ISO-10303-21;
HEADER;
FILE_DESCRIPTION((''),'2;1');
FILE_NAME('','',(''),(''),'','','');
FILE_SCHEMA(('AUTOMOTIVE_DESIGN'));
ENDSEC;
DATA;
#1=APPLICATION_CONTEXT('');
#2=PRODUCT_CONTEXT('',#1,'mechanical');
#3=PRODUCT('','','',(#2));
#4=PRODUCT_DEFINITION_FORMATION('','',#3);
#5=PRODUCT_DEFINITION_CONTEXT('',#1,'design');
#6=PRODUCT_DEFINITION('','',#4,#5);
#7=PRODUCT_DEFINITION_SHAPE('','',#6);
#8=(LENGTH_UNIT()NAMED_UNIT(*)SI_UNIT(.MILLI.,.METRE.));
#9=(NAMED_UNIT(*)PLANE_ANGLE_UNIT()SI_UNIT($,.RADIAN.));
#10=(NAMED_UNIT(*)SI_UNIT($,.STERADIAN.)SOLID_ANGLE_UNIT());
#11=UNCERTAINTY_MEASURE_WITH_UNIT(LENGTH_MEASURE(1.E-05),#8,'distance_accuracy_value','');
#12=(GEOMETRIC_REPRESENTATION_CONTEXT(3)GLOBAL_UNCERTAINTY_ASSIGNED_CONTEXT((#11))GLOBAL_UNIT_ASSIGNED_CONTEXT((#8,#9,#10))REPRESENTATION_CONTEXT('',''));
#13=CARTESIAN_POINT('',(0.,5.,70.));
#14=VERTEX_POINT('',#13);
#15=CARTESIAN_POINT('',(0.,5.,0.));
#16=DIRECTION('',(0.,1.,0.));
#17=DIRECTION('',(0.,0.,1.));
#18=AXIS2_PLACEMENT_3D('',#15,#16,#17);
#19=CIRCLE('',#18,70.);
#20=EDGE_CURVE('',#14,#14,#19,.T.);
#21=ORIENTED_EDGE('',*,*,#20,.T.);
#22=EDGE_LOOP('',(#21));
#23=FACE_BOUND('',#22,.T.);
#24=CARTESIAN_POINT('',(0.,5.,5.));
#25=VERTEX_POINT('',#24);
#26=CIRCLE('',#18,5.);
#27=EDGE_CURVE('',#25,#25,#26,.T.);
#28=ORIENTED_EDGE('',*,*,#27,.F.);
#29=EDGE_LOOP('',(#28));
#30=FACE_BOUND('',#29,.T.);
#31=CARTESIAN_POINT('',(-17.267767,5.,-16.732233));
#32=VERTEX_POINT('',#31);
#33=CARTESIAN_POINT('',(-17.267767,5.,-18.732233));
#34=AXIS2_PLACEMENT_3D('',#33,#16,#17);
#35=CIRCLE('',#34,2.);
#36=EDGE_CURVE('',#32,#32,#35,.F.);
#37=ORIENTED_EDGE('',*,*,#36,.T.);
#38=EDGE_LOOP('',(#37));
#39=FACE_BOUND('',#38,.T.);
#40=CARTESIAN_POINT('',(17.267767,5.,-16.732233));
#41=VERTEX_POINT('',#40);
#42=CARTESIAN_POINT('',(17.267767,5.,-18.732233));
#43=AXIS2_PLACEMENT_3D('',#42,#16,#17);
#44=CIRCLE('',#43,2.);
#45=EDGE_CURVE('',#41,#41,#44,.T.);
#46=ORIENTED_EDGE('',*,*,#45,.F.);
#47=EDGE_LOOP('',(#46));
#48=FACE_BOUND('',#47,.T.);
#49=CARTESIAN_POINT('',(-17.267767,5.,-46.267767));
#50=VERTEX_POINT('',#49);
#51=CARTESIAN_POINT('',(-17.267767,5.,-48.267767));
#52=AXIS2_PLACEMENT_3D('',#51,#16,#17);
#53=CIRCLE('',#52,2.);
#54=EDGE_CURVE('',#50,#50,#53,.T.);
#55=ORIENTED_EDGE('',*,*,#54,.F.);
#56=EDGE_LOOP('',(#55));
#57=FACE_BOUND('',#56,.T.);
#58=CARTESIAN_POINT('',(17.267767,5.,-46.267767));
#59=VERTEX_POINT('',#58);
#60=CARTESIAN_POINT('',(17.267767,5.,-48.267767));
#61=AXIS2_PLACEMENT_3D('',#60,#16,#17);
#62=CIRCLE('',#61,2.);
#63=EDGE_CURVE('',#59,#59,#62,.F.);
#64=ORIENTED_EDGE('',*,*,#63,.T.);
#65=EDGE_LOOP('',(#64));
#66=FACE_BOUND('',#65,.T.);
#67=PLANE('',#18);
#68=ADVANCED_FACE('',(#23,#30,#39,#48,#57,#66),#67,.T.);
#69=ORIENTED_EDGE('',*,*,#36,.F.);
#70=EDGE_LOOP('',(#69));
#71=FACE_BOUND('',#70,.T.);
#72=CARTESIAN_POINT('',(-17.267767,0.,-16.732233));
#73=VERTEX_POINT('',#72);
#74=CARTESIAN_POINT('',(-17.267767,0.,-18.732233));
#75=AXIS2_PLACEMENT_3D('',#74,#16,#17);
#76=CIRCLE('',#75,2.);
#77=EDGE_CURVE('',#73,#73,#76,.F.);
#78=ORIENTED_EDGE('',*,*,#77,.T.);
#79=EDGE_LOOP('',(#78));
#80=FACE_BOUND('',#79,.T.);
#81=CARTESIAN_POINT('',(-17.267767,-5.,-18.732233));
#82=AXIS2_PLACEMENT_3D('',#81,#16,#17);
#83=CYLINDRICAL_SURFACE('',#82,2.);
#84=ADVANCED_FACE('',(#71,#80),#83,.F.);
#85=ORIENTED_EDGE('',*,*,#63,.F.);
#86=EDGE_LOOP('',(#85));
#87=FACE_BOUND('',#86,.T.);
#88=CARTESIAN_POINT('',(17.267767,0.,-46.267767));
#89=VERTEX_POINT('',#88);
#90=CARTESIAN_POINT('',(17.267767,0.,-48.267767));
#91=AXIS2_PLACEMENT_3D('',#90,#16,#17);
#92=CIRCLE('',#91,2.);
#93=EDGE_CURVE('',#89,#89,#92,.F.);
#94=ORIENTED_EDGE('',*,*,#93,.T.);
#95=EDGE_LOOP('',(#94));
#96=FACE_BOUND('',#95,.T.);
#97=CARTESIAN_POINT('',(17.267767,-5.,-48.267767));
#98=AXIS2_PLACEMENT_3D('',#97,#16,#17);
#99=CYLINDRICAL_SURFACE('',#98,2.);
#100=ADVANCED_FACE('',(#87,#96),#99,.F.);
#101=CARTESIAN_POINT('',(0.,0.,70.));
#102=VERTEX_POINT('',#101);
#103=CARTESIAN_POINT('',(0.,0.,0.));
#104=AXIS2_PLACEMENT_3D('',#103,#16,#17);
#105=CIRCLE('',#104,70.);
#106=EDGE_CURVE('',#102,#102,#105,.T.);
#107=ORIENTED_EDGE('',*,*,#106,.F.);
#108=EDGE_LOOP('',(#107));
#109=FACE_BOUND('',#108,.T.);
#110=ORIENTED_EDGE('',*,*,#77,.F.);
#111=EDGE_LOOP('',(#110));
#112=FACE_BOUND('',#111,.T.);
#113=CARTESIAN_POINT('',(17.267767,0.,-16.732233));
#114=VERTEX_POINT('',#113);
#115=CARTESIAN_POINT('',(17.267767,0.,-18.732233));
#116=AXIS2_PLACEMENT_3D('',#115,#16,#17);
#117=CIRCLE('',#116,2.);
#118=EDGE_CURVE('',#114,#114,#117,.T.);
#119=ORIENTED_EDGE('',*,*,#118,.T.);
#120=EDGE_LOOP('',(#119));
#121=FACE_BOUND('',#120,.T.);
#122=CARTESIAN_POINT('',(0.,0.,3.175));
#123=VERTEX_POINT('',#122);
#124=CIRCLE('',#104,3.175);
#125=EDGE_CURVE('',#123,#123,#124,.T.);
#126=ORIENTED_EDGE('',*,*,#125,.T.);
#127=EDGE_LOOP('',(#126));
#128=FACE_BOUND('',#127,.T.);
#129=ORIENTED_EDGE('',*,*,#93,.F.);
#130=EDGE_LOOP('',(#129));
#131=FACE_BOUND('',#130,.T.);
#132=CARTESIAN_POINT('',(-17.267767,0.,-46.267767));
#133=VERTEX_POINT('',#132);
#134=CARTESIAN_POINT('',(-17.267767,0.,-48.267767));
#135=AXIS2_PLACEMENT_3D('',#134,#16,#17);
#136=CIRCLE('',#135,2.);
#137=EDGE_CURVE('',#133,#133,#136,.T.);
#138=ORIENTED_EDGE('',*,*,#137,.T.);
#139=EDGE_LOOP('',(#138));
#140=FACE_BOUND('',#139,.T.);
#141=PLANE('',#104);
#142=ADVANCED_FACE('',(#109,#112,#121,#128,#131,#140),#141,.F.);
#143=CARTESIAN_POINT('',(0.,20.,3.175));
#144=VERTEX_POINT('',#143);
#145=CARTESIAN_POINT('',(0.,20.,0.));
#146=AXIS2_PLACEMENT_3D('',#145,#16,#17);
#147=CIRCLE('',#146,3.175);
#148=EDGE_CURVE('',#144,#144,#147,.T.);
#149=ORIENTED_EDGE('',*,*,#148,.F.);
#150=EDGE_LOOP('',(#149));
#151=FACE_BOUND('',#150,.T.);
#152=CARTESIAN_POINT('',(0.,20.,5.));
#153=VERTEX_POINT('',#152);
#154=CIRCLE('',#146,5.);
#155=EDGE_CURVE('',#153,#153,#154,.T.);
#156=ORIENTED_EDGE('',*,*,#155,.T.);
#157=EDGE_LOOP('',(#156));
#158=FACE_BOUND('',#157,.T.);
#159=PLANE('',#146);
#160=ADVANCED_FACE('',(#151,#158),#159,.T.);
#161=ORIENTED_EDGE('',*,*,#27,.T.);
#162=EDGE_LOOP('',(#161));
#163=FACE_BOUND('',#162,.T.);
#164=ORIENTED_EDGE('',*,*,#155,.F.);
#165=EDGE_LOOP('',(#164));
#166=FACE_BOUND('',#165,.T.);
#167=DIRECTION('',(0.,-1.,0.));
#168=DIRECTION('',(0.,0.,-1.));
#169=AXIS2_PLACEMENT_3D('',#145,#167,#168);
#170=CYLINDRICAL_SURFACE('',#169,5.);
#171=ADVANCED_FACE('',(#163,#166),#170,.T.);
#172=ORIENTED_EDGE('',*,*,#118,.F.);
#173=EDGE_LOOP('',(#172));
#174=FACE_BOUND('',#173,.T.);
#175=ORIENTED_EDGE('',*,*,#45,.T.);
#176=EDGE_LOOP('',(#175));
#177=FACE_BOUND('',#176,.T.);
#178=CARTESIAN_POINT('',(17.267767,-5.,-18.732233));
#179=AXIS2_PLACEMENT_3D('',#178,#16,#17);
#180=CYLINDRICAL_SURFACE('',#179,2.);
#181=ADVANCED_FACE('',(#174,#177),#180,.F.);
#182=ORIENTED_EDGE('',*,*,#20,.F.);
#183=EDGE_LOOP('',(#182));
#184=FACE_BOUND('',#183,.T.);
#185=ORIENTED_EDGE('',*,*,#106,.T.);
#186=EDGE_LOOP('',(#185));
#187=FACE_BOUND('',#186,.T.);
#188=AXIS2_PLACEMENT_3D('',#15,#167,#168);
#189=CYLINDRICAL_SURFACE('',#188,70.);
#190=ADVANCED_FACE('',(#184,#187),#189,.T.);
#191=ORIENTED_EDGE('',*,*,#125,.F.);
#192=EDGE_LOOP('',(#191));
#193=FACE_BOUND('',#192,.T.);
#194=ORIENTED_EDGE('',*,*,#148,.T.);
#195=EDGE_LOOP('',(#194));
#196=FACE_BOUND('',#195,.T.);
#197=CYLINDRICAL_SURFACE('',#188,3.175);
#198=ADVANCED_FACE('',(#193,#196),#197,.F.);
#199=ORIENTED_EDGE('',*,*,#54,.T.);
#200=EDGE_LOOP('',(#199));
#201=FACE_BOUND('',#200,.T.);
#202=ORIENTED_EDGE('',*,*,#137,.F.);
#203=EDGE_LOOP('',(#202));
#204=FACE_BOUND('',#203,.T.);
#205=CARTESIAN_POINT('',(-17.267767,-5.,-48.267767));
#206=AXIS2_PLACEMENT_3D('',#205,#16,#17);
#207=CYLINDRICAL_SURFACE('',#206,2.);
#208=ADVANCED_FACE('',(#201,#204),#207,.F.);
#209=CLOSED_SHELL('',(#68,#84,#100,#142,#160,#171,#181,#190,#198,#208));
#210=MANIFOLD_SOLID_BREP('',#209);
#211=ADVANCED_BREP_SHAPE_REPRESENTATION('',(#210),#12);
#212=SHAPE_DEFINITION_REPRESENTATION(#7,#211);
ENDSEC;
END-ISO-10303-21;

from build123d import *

# Parameters (mm, degrees)
SKETCH1_R           = 70
SKETCH1_R_2         = 3.175
BOSS_EXTRUDE2_DEPTH = 5
SKETCH2_R           = 5
SKETCH2_R_2         = 3.175
BOSS_EXTRUDE4_DEPTH = 15
SKETCH3_R           = 2
CUT_EXTRUDE1_DEPTH  = 10


with BuildPart() as part:
    # Sketch1 → Boss-Extrude2 (new body)
    with BuildSketch(Plane(origin=(0, 0, 0), x_dir=(1, 0, 0), z_dir=(0, 1, 0))):
        with Locations(Location((0, 0, 0), (0, 0, 270))):
            Circle(SKETCH1_R)
        with Locations(Location((0, 0, 0), (0, 0, 270))):
            Circle(SKETCH1_R_2, mode=Mode.SUBTRACT)
    extrude(amount=BOSS_EXTRUDE2_DEPTH)

    # Sketch2 → Boss-Extrude4 (add)
    with BuildSketch(Plane(origin=(0, 5, 0), x_dir=(1, 0, 0), z_dir=(0, 1, 0))):
        with Locations(Location((0, 0, 0), (0, 0, 270))):
            Circle(SKETCH2_R)
        with Locations(Location((0, 0, 0), (0, 0, 270))):
            Circle(SKETCH2_R_2, mode=Mode.SUBTRACT)
    extrude(amount=BOSS_EXTRUDE4_DEPTH)

    # Sketch3 → Cut-Extrude1 (cut)
    with BuildSketch(Plane(origin=(0, 5, 0), x_dir=(1, 0, 0), z_dir=(0, 1, 0))):
        with Locations(Location((-17.267766953, 48.267766953, 0), (0, 0, 270))):
            Circle(SKETCH3_R)
        with Locations(Location((17.267766953, 48.267766953, 0), (0, 0, 270))):
            Circle(SKETCH3_R)
        with Locations(Location((-17.267766953, 18.732233047, 0), (0, 0, 270))):
            Circle(SKETCH3_R)
        with Locations(Location((17.267766953, 18.732233047, 0), (0, 0, 270))):
            Circle(SKETCH3_R)
    extrude(amount=-CUT_EXTRUDE1_DEPTH, mode=Mode.SUBTRACT)


solid = part.part
